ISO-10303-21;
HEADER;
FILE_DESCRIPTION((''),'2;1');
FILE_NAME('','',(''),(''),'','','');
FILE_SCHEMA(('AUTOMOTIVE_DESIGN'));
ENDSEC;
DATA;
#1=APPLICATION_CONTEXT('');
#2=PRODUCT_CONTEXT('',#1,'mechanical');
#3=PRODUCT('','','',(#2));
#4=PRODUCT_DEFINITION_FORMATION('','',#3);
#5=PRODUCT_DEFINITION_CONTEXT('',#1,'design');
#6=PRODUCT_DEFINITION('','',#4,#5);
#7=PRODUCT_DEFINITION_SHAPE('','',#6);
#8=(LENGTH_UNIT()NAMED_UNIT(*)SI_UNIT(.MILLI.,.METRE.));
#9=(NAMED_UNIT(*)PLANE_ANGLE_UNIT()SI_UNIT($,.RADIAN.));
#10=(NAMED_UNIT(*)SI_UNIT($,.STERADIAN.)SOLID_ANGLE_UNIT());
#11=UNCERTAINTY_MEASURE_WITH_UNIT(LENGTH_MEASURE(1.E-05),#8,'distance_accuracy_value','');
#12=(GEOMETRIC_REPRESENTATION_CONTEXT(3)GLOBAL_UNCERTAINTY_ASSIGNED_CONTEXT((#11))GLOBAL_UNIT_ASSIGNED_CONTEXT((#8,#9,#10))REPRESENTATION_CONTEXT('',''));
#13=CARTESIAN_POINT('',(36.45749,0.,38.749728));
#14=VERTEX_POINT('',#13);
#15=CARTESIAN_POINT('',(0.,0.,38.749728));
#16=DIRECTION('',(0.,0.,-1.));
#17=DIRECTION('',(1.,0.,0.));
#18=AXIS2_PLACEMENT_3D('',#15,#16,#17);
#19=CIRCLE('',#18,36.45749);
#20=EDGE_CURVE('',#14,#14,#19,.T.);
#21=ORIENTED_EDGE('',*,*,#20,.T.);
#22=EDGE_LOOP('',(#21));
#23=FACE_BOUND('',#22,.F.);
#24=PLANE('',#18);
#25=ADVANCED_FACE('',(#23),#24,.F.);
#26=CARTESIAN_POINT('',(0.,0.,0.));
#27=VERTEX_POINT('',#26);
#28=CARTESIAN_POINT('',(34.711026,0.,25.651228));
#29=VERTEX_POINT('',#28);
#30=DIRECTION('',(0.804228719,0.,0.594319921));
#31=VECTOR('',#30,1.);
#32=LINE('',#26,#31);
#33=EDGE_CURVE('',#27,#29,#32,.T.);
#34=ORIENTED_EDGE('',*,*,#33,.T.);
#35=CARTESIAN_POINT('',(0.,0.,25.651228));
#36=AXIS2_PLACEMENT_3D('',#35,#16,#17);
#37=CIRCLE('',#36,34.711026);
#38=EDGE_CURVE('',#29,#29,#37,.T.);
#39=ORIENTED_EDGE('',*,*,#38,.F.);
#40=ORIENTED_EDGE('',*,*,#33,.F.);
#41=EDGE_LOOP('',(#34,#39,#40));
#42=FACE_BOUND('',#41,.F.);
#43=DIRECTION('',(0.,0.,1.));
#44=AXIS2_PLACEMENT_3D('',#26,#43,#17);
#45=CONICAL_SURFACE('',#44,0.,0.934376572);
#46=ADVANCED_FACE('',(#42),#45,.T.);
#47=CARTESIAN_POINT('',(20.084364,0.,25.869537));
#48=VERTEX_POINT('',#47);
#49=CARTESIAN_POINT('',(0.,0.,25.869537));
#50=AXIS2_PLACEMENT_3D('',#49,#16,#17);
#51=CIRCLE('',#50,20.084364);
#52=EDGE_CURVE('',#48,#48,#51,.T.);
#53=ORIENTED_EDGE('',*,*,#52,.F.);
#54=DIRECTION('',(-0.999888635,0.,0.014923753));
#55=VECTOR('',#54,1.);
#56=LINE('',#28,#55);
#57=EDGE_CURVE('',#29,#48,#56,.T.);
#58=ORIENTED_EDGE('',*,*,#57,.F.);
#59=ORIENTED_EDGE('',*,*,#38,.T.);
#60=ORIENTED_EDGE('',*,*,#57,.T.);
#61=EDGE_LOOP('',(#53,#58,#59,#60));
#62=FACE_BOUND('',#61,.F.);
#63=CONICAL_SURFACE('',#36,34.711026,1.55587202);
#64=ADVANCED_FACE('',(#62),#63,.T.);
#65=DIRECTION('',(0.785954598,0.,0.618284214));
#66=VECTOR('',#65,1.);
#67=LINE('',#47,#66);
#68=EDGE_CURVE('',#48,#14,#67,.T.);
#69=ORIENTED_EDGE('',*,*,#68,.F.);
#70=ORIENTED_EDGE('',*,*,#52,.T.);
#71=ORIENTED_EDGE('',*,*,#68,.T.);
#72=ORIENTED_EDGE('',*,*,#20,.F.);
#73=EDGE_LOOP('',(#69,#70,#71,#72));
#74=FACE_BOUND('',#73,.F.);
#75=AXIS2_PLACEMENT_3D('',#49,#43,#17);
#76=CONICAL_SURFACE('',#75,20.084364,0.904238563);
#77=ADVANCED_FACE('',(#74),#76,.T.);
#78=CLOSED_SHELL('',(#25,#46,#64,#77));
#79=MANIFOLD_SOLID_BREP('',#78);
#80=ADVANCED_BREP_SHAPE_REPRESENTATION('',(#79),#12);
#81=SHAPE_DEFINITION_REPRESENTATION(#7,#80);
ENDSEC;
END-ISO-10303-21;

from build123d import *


with BuildPart() as f1:
    # F0 (on Front) → F1 (revolve)
    with BuildSketch(Plane.XZ):
        Polygon((0, 38.749728), (0, 0), (34.711026, 25.651228), (20.084364, 25.869537), (36.45749, 38.749728), align=None)
    revolve(axis=Axis((0, 0, 19.374864), (0, 0, -1)))


solid = f1.part
